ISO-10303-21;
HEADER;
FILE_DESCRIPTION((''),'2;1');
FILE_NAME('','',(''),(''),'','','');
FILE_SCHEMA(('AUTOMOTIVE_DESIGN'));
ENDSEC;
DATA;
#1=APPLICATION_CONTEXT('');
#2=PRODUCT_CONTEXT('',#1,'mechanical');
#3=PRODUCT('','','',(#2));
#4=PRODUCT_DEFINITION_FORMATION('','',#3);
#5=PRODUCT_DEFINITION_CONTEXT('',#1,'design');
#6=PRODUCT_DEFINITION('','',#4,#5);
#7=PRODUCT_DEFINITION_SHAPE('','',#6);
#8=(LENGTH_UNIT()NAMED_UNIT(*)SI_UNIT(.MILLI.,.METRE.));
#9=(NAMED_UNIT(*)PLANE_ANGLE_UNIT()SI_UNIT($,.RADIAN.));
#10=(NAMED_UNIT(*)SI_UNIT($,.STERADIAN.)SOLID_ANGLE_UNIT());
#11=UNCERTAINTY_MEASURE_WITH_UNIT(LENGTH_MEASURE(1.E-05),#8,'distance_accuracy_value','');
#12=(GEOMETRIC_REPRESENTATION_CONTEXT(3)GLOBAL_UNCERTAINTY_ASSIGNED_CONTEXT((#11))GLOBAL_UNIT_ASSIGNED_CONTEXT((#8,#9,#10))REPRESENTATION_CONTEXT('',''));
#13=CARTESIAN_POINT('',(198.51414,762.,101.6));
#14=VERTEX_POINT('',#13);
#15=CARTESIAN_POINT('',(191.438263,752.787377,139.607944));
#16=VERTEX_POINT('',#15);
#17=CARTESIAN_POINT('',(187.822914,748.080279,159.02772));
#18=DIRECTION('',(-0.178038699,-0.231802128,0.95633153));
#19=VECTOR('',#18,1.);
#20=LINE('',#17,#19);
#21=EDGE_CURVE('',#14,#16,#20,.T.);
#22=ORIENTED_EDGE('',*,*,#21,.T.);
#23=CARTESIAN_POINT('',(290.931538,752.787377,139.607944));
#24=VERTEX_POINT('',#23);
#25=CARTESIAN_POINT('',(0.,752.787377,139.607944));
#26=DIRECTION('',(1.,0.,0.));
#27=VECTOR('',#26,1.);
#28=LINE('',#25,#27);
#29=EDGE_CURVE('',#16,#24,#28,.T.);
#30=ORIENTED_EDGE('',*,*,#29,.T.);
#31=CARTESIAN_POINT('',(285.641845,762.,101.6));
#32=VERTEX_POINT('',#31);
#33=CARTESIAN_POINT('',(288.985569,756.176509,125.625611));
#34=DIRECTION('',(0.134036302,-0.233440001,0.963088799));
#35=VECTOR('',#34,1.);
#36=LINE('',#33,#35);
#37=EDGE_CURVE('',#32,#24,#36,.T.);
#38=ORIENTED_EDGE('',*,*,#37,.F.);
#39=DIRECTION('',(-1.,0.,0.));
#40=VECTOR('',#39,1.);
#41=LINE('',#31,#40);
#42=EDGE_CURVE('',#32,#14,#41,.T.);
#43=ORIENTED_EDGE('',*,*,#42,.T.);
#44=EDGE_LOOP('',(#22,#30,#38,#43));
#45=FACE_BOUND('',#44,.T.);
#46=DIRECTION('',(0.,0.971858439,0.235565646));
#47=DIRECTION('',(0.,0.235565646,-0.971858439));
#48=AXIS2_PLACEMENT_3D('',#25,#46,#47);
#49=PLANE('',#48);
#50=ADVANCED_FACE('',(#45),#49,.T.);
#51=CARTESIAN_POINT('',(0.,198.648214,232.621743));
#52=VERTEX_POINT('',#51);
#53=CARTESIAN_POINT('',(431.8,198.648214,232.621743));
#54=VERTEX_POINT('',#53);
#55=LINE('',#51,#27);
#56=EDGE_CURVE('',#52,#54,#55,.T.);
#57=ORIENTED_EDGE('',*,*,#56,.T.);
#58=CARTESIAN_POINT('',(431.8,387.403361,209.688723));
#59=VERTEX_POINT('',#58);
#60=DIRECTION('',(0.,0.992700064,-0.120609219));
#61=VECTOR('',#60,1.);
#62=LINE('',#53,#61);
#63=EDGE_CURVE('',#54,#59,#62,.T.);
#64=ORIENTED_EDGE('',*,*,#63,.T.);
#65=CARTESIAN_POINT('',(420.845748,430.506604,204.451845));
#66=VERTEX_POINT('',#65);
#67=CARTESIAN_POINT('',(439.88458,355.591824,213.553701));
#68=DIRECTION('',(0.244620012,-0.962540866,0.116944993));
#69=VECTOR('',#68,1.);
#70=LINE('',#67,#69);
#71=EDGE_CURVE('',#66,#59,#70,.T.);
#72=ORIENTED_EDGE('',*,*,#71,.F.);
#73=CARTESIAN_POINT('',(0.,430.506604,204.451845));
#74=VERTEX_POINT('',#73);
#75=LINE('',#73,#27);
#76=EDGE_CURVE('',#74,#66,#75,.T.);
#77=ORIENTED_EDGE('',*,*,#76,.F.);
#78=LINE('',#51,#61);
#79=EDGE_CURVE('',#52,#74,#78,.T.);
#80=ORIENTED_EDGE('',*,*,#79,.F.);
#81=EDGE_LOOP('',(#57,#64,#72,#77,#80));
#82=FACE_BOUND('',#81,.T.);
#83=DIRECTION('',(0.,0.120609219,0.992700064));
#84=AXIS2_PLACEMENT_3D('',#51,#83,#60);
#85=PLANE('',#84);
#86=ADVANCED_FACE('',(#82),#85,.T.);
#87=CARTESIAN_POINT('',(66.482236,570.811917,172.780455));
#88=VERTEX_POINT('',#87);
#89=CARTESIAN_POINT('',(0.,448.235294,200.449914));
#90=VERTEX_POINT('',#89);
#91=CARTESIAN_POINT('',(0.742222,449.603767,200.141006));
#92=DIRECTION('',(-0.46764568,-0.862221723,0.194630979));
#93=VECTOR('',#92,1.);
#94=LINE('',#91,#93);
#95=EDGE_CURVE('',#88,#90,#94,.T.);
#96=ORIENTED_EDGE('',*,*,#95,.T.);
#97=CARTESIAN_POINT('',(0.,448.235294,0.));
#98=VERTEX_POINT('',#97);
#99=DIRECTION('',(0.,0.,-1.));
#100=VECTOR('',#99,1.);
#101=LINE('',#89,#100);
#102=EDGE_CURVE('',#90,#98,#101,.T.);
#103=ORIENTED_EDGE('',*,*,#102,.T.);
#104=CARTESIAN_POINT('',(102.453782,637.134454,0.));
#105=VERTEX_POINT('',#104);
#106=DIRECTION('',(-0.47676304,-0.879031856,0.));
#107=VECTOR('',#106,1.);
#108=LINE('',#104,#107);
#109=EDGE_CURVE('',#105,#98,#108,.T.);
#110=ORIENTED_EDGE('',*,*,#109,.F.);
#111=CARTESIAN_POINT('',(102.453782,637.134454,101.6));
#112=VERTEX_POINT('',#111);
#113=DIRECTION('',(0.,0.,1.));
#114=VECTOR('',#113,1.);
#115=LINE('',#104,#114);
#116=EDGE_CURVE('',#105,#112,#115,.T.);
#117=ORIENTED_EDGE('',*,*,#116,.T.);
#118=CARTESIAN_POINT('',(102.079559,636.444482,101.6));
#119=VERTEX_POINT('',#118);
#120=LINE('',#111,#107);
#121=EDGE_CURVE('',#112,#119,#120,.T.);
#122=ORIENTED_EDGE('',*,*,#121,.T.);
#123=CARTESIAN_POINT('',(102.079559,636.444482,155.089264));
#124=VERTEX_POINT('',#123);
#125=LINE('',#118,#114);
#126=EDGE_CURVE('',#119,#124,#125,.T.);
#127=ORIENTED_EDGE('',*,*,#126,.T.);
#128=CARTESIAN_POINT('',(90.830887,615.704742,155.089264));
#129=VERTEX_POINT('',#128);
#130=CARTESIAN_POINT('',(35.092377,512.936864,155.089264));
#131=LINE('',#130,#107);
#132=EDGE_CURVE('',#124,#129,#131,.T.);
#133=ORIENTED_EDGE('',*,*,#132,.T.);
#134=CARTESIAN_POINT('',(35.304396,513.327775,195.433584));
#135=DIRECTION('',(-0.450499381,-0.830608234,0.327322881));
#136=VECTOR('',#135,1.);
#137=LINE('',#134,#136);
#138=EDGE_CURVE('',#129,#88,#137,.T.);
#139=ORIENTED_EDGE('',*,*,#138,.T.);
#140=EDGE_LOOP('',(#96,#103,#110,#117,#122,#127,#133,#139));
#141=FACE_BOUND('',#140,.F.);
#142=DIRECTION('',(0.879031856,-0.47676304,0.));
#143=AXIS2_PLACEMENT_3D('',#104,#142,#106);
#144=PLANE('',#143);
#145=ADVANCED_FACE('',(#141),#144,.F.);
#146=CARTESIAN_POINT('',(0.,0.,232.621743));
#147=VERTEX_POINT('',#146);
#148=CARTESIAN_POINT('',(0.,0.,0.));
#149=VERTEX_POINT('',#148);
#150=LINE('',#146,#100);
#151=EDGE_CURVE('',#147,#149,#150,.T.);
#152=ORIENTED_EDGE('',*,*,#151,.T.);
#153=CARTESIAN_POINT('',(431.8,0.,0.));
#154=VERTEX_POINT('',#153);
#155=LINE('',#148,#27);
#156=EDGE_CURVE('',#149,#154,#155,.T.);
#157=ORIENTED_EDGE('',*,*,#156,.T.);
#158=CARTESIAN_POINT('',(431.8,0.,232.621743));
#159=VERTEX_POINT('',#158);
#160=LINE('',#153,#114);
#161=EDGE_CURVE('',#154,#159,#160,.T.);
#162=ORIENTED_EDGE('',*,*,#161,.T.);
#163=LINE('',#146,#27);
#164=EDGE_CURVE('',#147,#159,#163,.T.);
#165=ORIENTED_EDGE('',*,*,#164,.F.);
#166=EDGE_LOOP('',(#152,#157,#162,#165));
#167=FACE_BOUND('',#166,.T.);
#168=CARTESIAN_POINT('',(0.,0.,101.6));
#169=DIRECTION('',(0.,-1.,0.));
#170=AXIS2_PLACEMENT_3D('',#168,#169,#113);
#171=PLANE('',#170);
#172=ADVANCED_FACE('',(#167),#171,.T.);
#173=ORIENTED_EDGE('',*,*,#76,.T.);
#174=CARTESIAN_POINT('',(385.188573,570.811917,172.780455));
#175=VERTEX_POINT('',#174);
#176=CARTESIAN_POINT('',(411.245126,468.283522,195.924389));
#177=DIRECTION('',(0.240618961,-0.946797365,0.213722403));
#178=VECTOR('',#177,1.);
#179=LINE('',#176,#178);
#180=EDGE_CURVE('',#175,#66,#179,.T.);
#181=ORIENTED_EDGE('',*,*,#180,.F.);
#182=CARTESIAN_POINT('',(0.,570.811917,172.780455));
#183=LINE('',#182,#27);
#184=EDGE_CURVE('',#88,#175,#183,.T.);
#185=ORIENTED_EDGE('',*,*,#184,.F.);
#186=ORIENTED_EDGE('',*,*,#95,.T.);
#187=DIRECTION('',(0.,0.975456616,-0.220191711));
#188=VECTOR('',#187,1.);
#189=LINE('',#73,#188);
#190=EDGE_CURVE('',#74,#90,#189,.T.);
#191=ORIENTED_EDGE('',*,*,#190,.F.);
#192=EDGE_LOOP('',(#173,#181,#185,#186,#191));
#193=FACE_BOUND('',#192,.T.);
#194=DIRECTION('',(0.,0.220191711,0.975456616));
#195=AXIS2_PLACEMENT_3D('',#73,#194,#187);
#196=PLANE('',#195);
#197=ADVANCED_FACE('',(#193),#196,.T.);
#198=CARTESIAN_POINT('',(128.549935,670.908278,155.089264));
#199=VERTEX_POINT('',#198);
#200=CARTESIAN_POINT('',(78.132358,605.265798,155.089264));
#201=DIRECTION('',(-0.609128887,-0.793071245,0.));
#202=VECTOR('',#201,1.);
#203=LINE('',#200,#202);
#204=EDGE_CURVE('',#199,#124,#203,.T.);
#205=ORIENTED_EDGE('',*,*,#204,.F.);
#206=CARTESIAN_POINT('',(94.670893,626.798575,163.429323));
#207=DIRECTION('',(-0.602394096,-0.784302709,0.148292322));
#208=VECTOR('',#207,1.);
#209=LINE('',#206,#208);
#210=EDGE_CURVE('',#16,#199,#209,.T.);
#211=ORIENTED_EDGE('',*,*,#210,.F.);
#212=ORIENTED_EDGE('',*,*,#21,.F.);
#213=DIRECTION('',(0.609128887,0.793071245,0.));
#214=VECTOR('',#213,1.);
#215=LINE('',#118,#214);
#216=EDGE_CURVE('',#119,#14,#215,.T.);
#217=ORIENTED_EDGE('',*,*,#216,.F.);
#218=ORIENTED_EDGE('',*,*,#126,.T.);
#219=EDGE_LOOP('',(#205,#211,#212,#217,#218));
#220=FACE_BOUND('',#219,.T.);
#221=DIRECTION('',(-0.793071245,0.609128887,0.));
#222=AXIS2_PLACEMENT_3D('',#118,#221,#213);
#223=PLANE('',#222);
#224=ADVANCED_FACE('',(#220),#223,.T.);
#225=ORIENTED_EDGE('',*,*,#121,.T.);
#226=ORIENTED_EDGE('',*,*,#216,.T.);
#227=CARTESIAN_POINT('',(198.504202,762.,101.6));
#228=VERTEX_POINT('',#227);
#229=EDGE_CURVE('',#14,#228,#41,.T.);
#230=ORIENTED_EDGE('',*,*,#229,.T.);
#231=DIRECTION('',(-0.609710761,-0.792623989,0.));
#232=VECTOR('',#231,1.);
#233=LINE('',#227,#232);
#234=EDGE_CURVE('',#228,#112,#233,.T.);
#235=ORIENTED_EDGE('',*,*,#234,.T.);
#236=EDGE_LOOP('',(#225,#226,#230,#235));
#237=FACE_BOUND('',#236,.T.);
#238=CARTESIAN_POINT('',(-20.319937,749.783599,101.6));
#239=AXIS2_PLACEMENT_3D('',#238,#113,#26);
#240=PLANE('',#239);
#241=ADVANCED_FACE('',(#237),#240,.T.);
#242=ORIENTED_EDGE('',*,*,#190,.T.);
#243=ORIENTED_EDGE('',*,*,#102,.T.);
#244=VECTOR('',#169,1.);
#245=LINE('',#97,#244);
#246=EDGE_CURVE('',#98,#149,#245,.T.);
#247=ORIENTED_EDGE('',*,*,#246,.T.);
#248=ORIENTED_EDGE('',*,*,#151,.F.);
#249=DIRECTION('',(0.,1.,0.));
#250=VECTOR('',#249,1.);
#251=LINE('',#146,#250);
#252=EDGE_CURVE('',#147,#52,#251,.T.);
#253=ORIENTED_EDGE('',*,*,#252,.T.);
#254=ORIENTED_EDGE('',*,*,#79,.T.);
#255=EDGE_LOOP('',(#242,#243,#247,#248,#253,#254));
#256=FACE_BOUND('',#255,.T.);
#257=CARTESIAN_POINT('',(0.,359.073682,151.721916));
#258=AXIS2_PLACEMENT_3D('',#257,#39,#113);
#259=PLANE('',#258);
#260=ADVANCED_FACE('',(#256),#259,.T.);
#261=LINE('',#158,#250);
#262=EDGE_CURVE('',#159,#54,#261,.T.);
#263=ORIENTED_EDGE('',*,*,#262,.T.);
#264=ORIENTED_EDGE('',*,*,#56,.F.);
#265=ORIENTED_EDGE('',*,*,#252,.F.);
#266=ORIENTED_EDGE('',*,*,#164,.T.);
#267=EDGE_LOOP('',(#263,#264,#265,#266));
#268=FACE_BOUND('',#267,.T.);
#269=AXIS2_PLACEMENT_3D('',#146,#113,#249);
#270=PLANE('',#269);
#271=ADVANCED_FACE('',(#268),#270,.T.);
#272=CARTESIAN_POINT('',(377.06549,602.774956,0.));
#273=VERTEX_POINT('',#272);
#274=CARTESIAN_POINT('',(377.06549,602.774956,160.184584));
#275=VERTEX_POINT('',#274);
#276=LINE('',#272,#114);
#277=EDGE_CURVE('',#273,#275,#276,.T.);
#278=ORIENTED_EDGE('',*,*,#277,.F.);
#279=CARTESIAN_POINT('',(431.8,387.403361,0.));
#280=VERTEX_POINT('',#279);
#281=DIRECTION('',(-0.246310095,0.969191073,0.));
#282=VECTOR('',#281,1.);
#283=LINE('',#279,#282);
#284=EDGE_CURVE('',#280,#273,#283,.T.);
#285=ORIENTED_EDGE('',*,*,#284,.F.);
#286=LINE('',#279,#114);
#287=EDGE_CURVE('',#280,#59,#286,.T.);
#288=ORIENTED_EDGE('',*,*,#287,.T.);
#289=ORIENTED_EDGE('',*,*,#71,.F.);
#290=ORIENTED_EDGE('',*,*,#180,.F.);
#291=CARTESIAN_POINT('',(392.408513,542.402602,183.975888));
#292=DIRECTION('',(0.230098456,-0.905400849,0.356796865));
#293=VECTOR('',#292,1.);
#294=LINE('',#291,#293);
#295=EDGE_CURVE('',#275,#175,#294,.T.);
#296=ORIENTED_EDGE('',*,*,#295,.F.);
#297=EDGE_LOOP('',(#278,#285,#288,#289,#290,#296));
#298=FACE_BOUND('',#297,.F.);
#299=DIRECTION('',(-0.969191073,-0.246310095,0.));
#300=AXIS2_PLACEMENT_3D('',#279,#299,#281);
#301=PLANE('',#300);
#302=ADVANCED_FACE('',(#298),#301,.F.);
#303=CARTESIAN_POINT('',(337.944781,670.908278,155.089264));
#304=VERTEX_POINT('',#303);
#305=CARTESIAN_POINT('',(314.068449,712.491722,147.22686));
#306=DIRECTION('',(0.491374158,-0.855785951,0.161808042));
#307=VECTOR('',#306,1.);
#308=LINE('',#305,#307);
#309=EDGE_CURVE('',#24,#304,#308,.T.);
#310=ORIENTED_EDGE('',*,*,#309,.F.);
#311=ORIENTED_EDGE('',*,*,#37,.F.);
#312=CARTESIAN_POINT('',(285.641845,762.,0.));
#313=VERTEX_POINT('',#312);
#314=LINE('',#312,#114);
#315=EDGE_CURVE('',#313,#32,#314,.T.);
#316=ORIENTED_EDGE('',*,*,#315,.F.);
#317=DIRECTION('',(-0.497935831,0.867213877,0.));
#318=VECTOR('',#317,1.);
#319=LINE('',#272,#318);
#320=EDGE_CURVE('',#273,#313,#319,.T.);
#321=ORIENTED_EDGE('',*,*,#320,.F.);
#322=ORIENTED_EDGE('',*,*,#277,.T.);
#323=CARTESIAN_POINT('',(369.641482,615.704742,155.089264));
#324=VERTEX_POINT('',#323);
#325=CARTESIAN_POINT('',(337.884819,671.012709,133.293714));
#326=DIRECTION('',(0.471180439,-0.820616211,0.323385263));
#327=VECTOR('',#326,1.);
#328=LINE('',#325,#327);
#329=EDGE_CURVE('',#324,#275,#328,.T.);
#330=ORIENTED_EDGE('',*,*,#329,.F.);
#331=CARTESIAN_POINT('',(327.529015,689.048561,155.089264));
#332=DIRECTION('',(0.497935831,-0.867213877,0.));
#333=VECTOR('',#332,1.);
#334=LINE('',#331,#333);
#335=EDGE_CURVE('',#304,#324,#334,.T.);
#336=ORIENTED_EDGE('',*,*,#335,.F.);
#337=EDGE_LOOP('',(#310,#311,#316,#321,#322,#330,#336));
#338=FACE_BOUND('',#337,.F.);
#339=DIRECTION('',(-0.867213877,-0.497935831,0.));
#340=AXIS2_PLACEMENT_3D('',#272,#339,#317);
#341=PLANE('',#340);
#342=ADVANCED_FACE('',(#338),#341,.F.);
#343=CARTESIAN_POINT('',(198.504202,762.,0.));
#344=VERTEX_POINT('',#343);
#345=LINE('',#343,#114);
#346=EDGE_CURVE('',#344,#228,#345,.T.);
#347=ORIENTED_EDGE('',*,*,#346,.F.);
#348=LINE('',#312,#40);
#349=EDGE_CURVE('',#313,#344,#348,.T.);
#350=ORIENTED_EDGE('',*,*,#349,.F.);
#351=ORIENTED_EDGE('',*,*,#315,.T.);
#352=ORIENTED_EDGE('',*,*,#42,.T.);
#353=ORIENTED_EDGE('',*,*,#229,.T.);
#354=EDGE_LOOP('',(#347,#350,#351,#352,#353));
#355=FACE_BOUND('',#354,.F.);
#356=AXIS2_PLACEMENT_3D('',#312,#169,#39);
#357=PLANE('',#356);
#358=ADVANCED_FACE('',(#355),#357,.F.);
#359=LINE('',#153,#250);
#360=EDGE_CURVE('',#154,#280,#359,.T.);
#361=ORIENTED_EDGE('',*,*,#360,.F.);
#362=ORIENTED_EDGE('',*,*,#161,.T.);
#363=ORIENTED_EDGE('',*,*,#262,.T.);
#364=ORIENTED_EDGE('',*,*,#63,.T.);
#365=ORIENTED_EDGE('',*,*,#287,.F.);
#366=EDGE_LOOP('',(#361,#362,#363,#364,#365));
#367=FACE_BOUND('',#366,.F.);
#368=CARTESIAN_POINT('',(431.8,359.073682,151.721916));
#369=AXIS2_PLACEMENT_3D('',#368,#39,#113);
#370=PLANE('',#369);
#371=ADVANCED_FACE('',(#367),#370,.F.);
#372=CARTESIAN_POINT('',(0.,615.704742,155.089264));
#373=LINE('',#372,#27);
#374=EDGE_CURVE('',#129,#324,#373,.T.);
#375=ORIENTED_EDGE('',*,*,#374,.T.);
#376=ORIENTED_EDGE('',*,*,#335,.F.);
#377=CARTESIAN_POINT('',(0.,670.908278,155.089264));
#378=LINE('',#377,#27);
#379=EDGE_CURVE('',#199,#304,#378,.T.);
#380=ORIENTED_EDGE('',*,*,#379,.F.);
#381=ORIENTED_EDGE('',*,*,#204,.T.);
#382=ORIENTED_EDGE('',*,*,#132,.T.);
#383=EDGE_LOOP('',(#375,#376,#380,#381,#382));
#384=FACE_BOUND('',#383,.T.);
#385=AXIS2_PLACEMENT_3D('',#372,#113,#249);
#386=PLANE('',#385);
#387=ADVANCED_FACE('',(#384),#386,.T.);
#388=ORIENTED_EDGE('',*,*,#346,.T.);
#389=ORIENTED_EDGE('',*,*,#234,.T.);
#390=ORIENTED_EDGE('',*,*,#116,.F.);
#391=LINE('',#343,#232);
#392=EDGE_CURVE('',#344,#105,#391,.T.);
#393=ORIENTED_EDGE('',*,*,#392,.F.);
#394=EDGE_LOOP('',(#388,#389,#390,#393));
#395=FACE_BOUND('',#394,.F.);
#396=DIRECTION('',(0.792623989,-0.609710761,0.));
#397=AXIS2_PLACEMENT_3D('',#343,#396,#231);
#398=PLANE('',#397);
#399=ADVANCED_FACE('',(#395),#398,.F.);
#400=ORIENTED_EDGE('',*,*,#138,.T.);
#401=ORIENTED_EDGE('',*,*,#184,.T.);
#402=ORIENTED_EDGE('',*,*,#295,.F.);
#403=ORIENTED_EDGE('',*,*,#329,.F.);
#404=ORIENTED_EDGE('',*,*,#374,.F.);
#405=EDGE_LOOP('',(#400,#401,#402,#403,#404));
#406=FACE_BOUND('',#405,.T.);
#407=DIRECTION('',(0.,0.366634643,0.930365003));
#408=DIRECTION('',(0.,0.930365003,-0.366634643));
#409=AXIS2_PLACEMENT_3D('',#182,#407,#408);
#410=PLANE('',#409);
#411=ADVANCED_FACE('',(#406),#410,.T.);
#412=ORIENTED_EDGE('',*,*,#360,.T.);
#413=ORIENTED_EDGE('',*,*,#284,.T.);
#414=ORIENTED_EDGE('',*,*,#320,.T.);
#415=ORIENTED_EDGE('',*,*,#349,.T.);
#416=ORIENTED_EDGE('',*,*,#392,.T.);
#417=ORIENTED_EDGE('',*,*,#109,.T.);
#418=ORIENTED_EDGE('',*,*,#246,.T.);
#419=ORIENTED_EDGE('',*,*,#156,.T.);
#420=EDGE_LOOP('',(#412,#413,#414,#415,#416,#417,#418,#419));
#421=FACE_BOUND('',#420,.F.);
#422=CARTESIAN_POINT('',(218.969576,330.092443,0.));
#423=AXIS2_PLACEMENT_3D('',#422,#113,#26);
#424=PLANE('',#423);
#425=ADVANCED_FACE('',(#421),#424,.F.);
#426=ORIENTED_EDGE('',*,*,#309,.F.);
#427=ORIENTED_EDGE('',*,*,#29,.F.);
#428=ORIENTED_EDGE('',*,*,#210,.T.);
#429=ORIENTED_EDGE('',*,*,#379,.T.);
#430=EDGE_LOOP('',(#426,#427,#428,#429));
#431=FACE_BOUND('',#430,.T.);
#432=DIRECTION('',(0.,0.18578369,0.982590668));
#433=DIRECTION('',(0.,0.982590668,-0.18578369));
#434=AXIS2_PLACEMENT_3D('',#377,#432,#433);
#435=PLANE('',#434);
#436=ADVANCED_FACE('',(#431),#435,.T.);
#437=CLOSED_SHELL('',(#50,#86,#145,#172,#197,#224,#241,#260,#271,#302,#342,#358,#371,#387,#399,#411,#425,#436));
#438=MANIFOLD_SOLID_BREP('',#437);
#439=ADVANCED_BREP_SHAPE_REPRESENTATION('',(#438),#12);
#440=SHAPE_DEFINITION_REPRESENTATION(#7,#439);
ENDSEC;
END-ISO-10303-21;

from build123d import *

# Parameters (mm, degrees)
BOSS_EXTRUDE1_DEPTH = 101.6
BOSS_EXTRUDE2_DEPTH = 431.8
CUT_EXTRUDE1_DEPTH  = 132.021743181
CUT_EXTRUDE2_DEPTH  = 132.021743181


with BuildPart() as part:
    # Sketch1 → Boss-Extrude1 (new body)
    with BuildSketch(Plane.XY):
        Polygon((0, 0), (431.8, 0), (431.8, 387.403361345), (377.065490396, 602.774956458), (285.641844577, 762), (198.504201681, 762), (102.453781513, 637.134453782), (0, 448.235294118), align=None)
    extrude(amount=BOSS_EXTRUDE1_DEPTH)

    # Sketch2 → Boss-Extrude2 (add)
    with BuildSketch(Plane.ZY):
        Polygon((101.6, 0), (232.621743181, 0), (232.621743181, 198.64821401), (204.451845393, 430.506603568), (172.780455352, 570.81191653), (155.089264466, 615.704741573), (155.089264466, 670.908278379), (139.607943989, 752.787376516), (101.6, 762), align=None)
    extrude(amount=-BOSS_EXTRUDE2_DEPTH)

    # Sketch3 → Cut-Extrude1 (cut, through all)
    with BuildSketch(Plane(origin=(0, 0, 101.6), x_dir=(-1, 0, 0), z_dir=(0, 0, -1))):
        Polygon((0, 448.235294118), (-102.079559314, 636.444481603), (-205.052343037, 770.512583763), (-205.052343037, 987.342816442), (227.879484492, 941.92173413), (179.71587047, 482.849418415), align=None)
    extrude(amount=-CUT_EXTRUDE1_DEPTH, mode=Mode.SUBTRACT)

    # Sketch4 → Cut-Extrude2 (cut, through all)
    with BuildSketch(Plane(origin=(0, 0, 101.6), x_dir=(-1, 0, 0), z_dir=(0, 0, -1))):
        Polygon((-431.8, 387.403361345), (-377.065490396, 602.774956458), (-285.641844577, 762), (-386.647779508, 961.526140846), (-935.090979015, 961.526140846), (-884.913915701, 472.949119069), align=None)
    extrude(amount=-CUT_EXTRUDE2_DEPTH, mode=Mode.SUBTRACT)


solid = part.part
